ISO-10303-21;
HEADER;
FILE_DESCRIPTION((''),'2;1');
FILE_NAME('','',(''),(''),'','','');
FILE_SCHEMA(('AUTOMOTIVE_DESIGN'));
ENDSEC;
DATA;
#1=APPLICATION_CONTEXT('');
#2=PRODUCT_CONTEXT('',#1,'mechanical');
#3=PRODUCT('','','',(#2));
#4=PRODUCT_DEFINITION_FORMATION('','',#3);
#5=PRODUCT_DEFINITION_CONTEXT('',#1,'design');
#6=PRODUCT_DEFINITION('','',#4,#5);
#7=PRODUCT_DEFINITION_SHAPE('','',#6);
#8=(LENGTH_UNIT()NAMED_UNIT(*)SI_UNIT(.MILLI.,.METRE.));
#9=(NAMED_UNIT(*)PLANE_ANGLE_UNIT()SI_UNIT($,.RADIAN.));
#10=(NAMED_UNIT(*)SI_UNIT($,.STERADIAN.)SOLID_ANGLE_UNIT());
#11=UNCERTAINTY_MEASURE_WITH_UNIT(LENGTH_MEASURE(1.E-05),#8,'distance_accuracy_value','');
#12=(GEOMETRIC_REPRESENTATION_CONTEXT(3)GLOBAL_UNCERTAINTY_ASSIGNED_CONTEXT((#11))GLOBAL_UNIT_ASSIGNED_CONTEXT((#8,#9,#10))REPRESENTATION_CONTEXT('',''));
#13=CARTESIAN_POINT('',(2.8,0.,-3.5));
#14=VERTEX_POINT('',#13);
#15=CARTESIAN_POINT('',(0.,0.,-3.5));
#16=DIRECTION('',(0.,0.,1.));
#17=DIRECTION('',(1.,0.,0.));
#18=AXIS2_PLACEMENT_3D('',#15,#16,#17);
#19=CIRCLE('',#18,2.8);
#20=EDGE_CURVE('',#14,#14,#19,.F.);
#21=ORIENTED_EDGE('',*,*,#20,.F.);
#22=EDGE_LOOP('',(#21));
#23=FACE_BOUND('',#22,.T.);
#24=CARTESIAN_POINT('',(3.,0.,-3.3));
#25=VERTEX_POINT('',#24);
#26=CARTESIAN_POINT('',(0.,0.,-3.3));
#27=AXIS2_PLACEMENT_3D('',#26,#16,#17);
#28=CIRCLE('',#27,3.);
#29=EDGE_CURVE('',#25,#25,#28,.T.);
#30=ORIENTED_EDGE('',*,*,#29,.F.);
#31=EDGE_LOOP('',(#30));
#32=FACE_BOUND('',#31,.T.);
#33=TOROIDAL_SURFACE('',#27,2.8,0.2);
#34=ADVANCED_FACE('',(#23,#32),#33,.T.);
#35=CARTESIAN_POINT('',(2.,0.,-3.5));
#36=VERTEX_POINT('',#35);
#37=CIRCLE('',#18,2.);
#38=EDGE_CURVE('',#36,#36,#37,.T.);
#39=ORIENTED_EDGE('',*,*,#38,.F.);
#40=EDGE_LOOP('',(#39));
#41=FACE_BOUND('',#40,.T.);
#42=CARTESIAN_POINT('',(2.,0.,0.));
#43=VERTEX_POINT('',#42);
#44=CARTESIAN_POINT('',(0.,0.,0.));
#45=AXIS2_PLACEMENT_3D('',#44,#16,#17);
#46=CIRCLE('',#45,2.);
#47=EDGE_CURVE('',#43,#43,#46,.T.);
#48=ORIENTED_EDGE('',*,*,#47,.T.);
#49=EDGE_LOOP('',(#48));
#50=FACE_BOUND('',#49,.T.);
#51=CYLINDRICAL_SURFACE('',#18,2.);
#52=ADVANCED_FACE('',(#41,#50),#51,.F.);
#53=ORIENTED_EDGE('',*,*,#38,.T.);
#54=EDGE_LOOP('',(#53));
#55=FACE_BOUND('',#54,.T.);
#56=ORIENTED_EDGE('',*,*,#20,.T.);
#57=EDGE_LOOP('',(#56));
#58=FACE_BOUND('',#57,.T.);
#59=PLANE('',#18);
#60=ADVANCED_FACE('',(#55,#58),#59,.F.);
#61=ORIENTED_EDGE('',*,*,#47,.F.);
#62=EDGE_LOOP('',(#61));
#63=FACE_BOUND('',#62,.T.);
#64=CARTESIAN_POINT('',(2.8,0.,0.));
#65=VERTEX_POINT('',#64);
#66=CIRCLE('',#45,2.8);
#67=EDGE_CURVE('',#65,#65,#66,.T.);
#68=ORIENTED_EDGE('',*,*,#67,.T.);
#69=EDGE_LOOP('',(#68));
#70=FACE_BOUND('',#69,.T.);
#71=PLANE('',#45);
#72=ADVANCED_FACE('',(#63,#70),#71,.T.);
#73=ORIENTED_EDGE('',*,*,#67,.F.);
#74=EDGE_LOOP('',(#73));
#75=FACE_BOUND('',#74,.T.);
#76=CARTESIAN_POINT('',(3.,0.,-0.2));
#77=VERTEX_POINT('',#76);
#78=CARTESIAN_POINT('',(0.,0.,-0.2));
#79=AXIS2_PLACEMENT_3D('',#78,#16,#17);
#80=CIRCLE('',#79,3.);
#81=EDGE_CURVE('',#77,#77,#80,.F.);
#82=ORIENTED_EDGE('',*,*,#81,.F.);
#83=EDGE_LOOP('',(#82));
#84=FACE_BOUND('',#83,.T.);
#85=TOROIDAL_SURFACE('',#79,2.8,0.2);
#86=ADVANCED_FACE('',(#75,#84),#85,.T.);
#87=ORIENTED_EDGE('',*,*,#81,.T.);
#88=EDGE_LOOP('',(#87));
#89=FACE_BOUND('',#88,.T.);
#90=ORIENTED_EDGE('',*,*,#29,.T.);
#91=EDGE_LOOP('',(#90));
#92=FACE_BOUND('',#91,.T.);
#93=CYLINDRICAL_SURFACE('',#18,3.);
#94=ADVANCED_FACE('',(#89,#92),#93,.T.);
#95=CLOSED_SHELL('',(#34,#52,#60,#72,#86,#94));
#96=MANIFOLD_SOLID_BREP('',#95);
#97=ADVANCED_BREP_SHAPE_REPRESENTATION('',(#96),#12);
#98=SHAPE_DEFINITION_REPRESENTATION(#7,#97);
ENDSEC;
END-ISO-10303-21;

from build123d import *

# Parameters (mm, degrees)
SKETCH_1_R      = 3
SKETCH_1_R_2    = 2
EXTRUDE_1_DEPTH = 3.5
FILLET_1_R      = 0.2


with BuildPart() as part:
    # 草图1 → 凸台-拉伸1 (new body)
    with BuildSketch(Plane.XY):
        Circle(SKETCH_1_R)
        Circle(SKETCH_1_R_2, mode=Mode.SUBTRACT)
    extrude(amount=-EXTRUDE_1_DEPTH)

    # 圆角1
    fillet_1_edges = [part.edges().sort_by_distance(p)[0] for p in [
        (-3, 0, 0),
        (-3, 0, -3.5),
    ]]
    fillet(fillet_1_edges, radius=FILLET_1_R)


solid = part.part
